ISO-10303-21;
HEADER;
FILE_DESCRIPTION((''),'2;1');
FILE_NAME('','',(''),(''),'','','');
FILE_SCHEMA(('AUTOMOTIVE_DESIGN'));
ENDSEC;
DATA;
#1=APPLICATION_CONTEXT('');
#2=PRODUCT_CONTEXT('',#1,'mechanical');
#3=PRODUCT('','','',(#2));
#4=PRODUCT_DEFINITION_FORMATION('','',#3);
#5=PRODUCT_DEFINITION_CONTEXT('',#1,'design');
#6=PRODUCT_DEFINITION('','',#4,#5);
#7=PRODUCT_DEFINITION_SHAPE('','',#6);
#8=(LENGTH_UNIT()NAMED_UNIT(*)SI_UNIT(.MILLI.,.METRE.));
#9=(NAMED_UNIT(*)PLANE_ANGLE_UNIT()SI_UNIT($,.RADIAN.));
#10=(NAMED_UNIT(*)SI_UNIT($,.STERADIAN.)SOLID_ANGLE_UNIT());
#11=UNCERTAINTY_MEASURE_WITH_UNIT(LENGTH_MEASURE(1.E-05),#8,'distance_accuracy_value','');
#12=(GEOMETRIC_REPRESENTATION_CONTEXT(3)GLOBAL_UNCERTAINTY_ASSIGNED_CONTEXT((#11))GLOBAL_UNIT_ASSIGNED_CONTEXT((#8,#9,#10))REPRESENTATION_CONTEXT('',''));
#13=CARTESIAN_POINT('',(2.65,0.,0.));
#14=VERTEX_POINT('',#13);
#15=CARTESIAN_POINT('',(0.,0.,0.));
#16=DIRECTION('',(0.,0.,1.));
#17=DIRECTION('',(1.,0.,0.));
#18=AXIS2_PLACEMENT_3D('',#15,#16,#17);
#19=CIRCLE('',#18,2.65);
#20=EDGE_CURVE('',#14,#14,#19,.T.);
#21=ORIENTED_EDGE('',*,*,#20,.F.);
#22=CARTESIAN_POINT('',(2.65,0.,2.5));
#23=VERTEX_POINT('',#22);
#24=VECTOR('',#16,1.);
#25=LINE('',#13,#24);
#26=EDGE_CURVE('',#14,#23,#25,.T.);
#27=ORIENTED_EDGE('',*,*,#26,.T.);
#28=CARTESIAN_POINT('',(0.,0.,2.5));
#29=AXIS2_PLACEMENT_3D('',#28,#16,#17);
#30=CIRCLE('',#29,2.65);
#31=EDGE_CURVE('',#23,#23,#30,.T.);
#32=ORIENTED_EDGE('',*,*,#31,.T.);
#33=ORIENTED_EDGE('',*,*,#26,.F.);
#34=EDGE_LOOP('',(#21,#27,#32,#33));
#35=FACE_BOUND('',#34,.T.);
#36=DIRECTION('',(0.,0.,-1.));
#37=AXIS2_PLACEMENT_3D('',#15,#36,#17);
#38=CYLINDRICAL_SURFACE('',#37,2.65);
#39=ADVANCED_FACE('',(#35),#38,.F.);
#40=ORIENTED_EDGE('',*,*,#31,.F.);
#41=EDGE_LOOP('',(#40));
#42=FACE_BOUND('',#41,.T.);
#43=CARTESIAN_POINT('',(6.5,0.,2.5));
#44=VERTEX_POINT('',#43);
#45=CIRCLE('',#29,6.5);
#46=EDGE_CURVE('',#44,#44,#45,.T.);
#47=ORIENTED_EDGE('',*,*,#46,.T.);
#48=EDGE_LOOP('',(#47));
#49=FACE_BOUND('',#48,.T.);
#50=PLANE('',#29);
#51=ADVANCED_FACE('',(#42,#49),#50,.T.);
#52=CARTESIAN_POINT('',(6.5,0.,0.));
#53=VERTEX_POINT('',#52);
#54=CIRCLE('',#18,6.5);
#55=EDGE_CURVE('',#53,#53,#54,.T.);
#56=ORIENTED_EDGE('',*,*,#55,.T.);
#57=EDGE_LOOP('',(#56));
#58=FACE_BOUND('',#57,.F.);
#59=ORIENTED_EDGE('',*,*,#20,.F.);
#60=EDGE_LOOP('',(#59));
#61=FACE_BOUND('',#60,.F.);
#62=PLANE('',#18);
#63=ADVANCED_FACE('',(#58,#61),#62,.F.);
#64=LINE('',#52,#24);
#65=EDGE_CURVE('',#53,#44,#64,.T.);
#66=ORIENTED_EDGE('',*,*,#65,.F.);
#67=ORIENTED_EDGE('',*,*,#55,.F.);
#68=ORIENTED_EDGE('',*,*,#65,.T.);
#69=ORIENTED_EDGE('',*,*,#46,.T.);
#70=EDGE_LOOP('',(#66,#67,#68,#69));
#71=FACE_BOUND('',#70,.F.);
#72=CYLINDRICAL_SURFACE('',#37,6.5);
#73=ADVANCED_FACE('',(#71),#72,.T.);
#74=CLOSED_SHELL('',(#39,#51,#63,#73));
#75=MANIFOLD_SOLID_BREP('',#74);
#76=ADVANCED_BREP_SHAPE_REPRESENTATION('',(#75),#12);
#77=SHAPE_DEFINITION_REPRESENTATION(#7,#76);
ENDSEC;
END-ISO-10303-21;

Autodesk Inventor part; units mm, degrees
ref_plane "YZ Plane" through (0, 0, 0) normal (1, 0, 0) x (0, 1, 0)
ref_plane "XZ Plane" through (0, 0, 0) normal (0, 1, 0) x (-1, 0, 0)
ref_plane "XY Plane" through (0, 0, 0) normal (0, 0, 1) x (1, 0, 0)
sketch "スケッチ1" plane through (0, 0, 0) normal (0, 0, 1) x (1, 0, 0)
  circle A0 centre (0, 0) radius 6.5
  circle A1 centre (0, 0) radius 2.65
  dimension "d0" = 13
  dimension "d1" = 5.3
extrude "押し出し1" add sketch "スケッチ1" along normal blind 2.5
properties part number "CC-0513-50B"
